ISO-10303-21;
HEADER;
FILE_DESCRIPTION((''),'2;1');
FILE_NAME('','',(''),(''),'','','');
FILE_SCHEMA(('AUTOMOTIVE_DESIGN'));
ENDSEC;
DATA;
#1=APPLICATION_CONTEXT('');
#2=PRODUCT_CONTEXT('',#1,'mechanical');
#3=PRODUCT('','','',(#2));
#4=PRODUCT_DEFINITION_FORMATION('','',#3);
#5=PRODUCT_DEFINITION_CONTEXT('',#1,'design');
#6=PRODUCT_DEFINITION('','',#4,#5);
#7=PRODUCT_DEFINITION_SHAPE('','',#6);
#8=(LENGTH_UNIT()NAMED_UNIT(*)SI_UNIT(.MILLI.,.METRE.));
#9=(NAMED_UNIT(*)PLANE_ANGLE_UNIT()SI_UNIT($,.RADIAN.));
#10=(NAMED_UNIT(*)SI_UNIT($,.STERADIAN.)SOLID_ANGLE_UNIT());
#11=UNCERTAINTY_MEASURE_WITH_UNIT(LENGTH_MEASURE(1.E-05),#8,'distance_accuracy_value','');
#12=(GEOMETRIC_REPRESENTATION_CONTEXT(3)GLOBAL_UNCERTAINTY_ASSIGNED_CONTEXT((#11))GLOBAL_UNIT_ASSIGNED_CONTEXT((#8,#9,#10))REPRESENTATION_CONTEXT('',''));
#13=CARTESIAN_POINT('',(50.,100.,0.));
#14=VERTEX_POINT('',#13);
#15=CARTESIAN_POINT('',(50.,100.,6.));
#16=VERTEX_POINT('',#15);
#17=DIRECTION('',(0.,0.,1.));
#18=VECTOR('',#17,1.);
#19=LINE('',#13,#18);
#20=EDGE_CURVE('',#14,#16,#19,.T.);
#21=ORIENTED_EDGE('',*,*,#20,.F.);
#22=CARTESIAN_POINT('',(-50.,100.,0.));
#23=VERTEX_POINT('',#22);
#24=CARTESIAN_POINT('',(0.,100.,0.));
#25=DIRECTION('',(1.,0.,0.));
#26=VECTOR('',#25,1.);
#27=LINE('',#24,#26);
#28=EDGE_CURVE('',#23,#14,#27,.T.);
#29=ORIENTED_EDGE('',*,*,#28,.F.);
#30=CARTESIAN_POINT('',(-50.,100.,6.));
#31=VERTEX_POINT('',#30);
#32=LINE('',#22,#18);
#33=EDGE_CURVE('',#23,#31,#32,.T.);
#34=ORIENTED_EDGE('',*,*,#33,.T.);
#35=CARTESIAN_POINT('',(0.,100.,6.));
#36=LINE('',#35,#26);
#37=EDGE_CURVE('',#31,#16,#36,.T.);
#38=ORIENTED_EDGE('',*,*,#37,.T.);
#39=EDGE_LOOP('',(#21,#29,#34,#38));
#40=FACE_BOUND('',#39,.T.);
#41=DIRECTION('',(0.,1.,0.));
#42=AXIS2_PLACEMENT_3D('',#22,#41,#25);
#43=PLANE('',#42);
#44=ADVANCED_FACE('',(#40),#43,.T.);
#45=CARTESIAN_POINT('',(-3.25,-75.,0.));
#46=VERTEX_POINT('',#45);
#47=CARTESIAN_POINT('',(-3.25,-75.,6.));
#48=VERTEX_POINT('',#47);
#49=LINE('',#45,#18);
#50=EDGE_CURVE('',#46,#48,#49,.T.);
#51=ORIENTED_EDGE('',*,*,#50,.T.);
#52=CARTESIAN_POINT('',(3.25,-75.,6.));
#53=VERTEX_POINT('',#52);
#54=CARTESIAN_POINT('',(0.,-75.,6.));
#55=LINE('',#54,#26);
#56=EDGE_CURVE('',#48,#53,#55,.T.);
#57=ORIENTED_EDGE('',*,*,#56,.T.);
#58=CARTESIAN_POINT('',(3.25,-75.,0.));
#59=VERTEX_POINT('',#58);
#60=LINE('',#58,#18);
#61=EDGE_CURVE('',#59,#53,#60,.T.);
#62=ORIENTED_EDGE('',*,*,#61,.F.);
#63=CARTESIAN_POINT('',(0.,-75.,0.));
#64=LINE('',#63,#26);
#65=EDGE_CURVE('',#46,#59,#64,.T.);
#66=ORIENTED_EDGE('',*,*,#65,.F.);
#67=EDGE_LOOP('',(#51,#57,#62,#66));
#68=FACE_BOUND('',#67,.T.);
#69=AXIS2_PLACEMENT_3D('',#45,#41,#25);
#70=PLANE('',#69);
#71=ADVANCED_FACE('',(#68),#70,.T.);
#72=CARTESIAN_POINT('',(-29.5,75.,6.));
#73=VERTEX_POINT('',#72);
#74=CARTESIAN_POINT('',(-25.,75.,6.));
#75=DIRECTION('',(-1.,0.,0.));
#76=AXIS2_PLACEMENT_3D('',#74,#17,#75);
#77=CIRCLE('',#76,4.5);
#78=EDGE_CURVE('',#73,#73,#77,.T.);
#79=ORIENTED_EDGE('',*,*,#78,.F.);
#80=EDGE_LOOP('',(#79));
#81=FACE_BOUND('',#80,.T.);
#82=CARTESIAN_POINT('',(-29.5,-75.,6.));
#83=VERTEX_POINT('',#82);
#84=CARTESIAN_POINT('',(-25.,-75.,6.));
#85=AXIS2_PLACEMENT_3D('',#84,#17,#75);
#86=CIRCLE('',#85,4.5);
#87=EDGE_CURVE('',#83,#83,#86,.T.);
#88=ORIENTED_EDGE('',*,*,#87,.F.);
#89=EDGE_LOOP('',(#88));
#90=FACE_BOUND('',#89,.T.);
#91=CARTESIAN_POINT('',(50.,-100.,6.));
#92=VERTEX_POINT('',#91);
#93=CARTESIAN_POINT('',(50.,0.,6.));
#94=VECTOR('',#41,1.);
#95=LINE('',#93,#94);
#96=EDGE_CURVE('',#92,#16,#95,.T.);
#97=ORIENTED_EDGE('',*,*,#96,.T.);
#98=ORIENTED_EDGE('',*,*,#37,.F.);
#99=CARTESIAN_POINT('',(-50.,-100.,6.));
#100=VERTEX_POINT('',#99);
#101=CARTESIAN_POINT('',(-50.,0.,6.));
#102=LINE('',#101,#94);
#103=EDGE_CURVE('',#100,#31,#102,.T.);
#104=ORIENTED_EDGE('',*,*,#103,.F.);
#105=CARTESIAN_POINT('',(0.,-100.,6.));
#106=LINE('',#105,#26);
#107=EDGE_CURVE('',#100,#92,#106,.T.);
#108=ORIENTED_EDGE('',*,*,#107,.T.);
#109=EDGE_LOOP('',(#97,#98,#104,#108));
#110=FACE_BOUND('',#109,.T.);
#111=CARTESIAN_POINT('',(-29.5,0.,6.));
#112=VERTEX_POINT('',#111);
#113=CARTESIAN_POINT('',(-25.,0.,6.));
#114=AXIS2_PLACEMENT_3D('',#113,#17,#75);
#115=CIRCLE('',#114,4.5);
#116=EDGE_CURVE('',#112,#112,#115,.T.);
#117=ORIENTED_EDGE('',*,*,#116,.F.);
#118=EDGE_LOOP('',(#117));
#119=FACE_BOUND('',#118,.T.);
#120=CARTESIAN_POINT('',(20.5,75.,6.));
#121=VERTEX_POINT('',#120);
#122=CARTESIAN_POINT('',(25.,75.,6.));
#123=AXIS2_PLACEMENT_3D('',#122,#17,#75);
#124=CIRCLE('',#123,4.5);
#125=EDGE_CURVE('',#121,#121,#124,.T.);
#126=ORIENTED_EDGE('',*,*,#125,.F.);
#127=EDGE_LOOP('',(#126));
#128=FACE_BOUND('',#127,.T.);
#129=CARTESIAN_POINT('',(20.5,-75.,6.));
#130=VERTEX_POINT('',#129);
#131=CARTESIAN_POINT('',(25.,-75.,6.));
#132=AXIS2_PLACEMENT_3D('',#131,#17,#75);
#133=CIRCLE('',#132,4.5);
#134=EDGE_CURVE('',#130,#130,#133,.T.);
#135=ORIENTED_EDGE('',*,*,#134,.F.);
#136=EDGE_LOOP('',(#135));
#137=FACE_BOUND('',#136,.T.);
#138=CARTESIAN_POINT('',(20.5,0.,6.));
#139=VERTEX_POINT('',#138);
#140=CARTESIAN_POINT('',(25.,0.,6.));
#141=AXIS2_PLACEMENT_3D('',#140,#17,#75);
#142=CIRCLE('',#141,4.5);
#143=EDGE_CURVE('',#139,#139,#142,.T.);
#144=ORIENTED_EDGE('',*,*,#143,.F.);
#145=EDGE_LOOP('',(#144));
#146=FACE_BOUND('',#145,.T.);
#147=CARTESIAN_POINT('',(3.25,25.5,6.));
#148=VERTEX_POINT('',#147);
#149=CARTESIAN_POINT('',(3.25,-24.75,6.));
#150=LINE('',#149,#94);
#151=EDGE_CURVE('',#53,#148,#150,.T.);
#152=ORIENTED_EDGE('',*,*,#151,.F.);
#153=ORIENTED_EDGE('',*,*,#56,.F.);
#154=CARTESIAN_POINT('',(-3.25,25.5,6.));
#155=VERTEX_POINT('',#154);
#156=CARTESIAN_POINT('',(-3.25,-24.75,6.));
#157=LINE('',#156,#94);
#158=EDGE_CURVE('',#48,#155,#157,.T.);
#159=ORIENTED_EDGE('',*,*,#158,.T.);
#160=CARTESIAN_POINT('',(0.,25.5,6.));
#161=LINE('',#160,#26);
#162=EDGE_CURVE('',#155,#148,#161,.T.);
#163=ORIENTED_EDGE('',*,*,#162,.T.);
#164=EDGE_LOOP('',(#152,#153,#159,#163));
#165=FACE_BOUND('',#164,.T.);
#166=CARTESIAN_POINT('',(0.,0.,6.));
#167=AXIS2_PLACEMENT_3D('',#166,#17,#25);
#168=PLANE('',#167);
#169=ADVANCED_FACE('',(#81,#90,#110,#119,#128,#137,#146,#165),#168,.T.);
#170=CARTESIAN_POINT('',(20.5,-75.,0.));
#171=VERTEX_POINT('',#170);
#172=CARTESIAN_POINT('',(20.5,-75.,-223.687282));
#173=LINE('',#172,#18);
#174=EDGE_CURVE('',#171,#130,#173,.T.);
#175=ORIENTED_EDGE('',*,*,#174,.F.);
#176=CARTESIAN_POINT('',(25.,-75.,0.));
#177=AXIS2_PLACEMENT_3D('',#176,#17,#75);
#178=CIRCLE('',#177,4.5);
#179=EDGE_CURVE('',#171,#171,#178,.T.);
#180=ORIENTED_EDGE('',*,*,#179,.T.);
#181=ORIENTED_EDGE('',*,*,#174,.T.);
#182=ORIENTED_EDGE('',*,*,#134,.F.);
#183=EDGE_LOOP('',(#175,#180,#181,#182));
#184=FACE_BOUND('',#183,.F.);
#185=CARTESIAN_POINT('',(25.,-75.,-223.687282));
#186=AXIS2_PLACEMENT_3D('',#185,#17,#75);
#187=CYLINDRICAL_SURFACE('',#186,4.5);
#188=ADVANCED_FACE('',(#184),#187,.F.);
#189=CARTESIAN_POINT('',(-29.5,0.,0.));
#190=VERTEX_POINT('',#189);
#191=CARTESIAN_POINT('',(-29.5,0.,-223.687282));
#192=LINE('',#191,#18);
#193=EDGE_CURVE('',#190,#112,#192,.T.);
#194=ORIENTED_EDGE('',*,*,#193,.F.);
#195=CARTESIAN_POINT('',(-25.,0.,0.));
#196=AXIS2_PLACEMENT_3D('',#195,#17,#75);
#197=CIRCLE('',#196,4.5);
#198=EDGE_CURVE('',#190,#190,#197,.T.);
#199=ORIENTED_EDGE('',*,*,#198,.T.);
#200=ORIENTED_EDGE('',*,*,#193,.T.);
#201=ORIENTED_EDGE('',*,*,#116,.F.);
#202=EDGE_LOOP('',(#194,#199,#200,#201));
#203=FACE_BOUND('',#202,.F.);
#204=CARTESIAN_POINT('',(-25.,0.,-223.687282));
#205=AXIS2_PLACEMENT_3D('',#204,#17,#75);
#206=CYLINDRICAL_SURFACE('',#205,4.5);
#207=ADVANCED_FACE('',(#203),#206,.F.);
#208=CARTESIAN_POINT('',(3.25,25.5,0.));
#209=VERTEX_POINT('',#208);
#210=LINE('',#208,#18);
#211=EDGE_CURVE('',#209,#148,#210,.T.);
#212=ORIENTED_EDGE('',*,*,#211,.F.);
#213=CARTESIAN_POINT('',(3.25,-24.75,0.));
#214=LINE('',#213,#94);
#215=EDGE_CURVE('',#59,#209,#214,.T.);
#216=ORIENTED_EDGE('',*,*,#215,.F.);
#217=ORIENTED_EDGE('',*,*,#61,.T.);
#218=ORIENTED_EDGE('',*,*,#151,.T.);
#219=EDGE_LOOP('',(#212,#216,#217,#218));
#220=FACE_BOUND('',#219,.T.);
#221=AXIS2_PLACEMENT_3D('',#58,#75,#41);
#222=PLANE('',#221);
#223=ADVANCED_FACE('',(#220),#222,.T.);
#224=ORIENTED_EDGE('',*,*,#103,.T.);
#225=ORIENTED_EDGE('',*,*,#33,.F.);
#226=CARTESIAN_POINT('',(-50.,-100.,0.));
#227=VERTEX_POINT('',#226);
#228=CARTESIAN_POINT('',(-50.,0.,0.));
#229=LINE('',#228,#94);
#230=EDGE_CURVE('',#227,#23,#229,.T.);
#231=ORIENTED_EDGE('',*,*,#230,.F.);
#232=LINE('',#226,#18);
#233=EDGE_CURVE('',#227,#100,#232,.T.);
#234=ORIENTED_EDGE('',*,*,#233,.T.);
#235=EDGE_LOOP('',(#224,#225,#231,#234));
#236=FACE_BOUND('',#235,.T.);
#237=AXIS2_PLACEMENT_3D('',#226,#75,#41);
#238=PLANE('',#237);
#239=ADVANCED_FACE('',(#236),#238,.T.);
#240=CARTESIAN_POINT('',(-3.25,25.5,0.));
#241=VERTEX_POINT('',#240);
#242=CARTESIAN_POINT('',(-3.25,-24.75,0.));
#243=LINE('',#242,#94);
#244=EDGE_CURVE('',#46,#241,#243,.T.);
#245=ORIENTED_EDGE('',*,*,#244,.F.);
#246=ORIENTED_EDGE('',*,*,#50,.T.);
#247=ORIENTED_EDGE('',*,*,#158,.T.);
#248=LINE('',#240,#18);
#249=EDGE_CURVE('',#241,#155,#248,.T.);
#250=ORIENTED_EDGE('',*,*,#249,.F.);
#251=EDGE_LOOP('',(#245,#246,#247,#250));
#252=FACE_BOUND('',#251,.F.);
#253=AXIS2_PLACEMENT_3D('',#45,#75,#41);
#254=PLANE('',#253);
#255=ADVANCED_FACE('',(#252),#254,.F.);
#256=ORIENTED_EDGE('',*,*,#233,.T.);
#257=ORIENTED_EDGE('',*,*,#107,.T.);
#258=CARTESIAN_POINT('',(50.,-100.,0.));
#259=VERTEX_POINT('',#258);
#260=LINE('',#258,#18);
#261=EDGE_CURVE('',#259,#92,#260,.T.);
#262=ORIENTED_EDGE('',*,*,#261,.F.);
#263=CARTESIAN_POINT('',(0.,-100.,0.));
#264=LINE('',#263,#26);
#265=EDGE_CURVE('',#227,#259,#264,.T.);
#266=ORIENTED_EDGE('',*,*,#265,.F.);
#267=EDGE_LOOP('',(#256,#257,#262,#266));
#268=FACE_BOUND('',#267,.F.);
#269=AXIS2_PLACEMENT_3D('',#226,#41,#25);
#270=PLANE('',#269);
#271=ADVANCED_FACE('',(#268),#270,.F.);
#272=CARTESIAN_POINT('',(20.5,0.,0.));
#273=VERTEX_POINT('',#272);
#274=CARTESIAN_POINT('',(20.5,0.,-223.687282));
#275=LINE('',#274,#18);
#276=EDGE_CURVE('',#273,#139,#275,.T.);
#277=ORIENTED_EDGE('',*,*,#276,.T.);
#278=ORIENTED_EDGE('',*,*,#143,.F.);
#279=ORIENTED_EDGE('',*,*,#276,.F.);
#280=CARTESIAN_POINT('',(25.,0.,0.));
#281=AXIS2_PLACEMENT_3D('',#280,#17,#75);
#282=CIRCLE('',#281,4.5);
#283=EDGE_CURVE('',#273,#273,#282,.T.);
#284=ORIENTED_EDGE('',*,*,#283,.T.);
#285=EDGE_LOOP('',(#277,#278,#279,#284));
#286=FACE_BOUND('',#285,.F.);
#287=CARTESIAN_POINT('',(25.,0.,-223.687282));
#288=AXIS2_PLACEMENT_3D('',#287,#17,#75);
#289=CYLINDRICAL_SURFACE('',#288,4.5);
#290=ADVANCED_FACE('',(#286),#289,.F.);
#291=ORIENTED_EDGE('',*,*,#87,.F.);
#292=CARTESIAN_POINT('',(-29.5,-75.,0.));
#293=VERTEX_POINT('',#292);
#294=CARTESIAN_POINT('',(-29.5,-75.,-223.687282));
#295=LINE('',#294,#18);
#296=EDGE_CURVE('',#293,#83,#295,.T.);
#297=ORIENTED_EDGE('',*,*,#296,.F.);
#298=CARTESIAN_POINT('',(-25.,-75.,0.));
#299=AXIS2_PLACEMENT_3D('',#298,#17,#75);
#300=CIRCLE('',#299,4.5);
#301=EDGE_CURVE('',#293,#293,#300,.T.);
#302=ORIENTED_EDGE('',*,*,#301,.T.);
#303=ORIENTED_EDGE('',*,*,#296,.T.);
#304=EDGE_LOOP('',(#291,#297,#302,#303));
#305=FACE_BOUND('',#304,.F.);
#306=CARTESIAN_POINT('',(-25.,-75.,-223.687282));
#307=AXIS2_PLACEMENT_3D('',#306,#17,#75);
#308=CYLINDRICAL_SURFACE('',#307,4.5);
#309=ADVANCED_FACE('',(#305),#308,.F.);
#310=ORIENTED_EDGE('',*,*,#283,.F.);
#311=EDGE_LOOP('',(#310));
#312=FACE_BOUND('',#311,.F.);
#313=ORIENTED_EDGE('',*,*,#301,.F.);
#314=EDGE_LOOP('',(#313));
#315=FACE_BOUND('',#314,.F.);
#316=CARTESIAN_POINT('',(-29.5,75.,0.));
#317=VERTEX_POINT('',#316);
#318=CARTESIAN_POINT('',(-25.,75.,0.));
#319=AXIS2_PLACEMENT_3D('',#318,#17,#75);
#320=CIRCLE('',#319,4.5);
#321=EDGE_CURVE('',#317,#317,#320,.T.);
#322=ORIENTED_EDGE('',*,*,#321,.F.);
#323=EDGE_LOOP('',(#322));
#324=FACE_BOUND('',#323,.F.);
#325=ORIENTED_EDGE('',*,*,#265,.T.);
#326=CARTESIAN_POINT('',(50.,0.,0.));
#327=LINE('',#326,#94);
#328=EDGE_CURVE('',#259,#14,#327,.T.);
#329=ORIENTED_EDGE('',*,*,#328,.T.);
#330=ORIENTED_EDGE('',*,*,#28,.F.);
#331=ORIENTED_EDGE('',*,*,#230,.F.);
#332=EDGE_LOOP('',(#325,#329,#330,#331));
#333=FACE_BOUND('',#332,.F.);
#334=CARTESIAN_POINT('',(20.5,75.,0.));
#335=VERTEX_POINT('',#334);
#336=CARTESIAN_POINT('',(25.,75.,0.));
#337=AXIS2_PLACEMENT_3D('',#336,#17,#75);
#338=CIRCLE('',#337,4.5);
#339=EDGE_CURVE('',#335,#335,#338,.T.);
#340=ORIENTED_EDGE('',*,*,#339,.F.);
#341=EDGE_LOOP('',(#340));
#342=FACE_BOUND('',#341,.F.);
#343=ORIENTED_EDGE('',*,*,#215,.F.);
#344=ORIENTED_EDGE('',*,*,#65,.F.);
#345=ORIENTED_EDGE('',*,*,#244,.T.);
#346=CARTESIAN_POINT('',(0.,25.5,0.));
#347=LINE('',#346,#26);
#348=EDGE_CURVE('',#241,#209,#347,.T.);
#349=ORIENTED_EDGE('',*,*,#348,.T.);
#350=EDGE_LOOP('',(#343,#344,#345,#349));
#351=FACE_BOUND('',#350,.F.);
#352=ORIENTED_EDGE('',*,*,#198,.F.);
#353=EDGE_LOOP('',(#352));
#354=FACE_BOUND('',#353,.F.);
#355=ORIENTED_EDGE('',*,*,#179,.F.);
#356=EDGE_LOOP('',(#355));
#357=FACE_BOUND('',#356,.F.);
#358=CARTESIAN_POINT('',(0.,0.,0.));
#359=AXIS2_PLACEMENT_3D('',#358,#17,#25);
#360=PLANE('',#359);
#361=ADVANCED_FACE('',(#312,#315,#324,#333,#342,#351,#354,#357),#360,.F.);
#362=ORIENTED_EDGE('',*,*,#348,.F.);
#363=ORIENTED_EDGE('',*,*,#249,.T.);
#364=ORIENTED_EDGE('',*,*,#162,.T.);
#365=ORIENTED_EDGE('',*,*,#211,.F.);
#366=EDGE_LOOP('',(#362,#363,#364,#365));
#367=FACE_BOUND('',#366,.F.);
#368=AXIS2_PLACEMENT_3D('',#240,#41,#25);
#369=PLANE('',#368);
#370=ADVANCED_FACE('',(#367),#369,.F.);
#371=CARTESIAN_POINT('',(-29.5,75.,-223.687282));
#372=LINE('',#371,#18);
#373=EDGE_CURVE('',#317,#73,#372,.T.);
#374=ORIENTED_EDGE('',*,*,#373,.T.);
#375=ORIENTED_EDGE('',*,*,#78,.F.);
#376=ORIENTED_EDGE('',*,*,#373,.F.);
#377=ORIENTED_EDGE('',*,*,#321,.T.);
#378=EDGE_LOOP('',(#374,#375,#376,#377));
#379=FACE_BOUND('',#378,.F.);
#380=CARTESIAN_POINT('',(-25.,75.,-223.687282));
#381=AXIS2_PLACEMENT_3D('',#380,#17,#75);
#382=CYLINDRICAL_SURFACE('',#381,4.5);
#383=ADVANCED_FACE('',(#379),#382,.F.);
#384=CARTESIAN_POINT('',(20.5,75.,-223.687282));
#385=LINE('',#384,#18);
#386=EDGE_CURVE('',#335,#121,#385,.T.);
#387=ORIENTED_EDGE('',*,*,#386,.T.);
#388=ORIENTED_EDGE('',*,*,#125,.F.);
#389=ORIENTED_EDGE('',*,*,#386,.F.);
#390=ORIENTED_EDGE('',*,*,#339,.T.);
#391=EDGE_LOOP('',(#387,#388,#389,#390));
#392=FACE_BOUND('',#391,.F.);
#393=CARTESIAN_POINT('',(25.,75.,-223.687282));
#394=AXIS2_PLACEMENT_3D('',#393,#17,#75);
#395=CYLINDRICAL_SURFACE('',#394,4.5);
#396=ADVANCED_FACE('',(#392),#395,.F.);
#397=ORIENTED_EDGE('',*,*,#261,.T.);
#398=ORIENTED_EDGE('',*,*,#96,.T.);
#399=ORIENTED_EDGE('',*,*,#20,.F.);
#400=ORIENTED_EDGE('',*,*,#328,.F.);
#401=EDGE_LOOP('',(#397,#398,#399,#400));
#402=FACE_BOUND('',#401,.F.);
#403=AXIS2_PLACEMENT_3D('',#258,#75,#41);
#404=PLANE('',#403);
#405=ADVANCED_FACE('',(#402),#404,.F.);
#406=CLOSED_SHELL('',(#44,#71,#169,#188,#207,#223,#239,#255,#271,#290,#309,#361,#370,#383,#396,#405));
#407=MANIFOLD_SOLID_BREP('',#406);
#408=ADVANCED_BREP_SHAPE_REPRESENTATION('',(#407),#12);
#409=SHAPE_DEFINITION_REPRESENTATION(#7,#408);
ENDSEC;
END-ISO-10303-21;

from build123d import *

# Parameters (mm, degrees)
F0_W     = 100
F0_H     = 200
F0_W_2   = 6.5
F0_H_2   = 100.5
F1_DEPTH = 6
F2_D     = 9


with BuildPart() as f1:
    # F0 (on Top) → F1 (new body)
    with BuildSketch(Plane.XY):
        Rectangle(F0_W, F0_H)
        with Locations((0, -24.75)):
            Rectangle(F0_W_2, F0_H_2, mode=Mode.SUBTRACT)
    extrude(amount=F1_DEPTH)

    # F2 (through all)
    with Locations(Plane(origin=(0, 0, 0), x_dir=(1, 0, 0), z_dir=(0, 0, -1))):
        with Locations((-25, 75), (25, 75), (-25, 0), (25, 0), (25, -75), (-25, -75)):
            Hole(F2_D / 2)


solid = f1.part
